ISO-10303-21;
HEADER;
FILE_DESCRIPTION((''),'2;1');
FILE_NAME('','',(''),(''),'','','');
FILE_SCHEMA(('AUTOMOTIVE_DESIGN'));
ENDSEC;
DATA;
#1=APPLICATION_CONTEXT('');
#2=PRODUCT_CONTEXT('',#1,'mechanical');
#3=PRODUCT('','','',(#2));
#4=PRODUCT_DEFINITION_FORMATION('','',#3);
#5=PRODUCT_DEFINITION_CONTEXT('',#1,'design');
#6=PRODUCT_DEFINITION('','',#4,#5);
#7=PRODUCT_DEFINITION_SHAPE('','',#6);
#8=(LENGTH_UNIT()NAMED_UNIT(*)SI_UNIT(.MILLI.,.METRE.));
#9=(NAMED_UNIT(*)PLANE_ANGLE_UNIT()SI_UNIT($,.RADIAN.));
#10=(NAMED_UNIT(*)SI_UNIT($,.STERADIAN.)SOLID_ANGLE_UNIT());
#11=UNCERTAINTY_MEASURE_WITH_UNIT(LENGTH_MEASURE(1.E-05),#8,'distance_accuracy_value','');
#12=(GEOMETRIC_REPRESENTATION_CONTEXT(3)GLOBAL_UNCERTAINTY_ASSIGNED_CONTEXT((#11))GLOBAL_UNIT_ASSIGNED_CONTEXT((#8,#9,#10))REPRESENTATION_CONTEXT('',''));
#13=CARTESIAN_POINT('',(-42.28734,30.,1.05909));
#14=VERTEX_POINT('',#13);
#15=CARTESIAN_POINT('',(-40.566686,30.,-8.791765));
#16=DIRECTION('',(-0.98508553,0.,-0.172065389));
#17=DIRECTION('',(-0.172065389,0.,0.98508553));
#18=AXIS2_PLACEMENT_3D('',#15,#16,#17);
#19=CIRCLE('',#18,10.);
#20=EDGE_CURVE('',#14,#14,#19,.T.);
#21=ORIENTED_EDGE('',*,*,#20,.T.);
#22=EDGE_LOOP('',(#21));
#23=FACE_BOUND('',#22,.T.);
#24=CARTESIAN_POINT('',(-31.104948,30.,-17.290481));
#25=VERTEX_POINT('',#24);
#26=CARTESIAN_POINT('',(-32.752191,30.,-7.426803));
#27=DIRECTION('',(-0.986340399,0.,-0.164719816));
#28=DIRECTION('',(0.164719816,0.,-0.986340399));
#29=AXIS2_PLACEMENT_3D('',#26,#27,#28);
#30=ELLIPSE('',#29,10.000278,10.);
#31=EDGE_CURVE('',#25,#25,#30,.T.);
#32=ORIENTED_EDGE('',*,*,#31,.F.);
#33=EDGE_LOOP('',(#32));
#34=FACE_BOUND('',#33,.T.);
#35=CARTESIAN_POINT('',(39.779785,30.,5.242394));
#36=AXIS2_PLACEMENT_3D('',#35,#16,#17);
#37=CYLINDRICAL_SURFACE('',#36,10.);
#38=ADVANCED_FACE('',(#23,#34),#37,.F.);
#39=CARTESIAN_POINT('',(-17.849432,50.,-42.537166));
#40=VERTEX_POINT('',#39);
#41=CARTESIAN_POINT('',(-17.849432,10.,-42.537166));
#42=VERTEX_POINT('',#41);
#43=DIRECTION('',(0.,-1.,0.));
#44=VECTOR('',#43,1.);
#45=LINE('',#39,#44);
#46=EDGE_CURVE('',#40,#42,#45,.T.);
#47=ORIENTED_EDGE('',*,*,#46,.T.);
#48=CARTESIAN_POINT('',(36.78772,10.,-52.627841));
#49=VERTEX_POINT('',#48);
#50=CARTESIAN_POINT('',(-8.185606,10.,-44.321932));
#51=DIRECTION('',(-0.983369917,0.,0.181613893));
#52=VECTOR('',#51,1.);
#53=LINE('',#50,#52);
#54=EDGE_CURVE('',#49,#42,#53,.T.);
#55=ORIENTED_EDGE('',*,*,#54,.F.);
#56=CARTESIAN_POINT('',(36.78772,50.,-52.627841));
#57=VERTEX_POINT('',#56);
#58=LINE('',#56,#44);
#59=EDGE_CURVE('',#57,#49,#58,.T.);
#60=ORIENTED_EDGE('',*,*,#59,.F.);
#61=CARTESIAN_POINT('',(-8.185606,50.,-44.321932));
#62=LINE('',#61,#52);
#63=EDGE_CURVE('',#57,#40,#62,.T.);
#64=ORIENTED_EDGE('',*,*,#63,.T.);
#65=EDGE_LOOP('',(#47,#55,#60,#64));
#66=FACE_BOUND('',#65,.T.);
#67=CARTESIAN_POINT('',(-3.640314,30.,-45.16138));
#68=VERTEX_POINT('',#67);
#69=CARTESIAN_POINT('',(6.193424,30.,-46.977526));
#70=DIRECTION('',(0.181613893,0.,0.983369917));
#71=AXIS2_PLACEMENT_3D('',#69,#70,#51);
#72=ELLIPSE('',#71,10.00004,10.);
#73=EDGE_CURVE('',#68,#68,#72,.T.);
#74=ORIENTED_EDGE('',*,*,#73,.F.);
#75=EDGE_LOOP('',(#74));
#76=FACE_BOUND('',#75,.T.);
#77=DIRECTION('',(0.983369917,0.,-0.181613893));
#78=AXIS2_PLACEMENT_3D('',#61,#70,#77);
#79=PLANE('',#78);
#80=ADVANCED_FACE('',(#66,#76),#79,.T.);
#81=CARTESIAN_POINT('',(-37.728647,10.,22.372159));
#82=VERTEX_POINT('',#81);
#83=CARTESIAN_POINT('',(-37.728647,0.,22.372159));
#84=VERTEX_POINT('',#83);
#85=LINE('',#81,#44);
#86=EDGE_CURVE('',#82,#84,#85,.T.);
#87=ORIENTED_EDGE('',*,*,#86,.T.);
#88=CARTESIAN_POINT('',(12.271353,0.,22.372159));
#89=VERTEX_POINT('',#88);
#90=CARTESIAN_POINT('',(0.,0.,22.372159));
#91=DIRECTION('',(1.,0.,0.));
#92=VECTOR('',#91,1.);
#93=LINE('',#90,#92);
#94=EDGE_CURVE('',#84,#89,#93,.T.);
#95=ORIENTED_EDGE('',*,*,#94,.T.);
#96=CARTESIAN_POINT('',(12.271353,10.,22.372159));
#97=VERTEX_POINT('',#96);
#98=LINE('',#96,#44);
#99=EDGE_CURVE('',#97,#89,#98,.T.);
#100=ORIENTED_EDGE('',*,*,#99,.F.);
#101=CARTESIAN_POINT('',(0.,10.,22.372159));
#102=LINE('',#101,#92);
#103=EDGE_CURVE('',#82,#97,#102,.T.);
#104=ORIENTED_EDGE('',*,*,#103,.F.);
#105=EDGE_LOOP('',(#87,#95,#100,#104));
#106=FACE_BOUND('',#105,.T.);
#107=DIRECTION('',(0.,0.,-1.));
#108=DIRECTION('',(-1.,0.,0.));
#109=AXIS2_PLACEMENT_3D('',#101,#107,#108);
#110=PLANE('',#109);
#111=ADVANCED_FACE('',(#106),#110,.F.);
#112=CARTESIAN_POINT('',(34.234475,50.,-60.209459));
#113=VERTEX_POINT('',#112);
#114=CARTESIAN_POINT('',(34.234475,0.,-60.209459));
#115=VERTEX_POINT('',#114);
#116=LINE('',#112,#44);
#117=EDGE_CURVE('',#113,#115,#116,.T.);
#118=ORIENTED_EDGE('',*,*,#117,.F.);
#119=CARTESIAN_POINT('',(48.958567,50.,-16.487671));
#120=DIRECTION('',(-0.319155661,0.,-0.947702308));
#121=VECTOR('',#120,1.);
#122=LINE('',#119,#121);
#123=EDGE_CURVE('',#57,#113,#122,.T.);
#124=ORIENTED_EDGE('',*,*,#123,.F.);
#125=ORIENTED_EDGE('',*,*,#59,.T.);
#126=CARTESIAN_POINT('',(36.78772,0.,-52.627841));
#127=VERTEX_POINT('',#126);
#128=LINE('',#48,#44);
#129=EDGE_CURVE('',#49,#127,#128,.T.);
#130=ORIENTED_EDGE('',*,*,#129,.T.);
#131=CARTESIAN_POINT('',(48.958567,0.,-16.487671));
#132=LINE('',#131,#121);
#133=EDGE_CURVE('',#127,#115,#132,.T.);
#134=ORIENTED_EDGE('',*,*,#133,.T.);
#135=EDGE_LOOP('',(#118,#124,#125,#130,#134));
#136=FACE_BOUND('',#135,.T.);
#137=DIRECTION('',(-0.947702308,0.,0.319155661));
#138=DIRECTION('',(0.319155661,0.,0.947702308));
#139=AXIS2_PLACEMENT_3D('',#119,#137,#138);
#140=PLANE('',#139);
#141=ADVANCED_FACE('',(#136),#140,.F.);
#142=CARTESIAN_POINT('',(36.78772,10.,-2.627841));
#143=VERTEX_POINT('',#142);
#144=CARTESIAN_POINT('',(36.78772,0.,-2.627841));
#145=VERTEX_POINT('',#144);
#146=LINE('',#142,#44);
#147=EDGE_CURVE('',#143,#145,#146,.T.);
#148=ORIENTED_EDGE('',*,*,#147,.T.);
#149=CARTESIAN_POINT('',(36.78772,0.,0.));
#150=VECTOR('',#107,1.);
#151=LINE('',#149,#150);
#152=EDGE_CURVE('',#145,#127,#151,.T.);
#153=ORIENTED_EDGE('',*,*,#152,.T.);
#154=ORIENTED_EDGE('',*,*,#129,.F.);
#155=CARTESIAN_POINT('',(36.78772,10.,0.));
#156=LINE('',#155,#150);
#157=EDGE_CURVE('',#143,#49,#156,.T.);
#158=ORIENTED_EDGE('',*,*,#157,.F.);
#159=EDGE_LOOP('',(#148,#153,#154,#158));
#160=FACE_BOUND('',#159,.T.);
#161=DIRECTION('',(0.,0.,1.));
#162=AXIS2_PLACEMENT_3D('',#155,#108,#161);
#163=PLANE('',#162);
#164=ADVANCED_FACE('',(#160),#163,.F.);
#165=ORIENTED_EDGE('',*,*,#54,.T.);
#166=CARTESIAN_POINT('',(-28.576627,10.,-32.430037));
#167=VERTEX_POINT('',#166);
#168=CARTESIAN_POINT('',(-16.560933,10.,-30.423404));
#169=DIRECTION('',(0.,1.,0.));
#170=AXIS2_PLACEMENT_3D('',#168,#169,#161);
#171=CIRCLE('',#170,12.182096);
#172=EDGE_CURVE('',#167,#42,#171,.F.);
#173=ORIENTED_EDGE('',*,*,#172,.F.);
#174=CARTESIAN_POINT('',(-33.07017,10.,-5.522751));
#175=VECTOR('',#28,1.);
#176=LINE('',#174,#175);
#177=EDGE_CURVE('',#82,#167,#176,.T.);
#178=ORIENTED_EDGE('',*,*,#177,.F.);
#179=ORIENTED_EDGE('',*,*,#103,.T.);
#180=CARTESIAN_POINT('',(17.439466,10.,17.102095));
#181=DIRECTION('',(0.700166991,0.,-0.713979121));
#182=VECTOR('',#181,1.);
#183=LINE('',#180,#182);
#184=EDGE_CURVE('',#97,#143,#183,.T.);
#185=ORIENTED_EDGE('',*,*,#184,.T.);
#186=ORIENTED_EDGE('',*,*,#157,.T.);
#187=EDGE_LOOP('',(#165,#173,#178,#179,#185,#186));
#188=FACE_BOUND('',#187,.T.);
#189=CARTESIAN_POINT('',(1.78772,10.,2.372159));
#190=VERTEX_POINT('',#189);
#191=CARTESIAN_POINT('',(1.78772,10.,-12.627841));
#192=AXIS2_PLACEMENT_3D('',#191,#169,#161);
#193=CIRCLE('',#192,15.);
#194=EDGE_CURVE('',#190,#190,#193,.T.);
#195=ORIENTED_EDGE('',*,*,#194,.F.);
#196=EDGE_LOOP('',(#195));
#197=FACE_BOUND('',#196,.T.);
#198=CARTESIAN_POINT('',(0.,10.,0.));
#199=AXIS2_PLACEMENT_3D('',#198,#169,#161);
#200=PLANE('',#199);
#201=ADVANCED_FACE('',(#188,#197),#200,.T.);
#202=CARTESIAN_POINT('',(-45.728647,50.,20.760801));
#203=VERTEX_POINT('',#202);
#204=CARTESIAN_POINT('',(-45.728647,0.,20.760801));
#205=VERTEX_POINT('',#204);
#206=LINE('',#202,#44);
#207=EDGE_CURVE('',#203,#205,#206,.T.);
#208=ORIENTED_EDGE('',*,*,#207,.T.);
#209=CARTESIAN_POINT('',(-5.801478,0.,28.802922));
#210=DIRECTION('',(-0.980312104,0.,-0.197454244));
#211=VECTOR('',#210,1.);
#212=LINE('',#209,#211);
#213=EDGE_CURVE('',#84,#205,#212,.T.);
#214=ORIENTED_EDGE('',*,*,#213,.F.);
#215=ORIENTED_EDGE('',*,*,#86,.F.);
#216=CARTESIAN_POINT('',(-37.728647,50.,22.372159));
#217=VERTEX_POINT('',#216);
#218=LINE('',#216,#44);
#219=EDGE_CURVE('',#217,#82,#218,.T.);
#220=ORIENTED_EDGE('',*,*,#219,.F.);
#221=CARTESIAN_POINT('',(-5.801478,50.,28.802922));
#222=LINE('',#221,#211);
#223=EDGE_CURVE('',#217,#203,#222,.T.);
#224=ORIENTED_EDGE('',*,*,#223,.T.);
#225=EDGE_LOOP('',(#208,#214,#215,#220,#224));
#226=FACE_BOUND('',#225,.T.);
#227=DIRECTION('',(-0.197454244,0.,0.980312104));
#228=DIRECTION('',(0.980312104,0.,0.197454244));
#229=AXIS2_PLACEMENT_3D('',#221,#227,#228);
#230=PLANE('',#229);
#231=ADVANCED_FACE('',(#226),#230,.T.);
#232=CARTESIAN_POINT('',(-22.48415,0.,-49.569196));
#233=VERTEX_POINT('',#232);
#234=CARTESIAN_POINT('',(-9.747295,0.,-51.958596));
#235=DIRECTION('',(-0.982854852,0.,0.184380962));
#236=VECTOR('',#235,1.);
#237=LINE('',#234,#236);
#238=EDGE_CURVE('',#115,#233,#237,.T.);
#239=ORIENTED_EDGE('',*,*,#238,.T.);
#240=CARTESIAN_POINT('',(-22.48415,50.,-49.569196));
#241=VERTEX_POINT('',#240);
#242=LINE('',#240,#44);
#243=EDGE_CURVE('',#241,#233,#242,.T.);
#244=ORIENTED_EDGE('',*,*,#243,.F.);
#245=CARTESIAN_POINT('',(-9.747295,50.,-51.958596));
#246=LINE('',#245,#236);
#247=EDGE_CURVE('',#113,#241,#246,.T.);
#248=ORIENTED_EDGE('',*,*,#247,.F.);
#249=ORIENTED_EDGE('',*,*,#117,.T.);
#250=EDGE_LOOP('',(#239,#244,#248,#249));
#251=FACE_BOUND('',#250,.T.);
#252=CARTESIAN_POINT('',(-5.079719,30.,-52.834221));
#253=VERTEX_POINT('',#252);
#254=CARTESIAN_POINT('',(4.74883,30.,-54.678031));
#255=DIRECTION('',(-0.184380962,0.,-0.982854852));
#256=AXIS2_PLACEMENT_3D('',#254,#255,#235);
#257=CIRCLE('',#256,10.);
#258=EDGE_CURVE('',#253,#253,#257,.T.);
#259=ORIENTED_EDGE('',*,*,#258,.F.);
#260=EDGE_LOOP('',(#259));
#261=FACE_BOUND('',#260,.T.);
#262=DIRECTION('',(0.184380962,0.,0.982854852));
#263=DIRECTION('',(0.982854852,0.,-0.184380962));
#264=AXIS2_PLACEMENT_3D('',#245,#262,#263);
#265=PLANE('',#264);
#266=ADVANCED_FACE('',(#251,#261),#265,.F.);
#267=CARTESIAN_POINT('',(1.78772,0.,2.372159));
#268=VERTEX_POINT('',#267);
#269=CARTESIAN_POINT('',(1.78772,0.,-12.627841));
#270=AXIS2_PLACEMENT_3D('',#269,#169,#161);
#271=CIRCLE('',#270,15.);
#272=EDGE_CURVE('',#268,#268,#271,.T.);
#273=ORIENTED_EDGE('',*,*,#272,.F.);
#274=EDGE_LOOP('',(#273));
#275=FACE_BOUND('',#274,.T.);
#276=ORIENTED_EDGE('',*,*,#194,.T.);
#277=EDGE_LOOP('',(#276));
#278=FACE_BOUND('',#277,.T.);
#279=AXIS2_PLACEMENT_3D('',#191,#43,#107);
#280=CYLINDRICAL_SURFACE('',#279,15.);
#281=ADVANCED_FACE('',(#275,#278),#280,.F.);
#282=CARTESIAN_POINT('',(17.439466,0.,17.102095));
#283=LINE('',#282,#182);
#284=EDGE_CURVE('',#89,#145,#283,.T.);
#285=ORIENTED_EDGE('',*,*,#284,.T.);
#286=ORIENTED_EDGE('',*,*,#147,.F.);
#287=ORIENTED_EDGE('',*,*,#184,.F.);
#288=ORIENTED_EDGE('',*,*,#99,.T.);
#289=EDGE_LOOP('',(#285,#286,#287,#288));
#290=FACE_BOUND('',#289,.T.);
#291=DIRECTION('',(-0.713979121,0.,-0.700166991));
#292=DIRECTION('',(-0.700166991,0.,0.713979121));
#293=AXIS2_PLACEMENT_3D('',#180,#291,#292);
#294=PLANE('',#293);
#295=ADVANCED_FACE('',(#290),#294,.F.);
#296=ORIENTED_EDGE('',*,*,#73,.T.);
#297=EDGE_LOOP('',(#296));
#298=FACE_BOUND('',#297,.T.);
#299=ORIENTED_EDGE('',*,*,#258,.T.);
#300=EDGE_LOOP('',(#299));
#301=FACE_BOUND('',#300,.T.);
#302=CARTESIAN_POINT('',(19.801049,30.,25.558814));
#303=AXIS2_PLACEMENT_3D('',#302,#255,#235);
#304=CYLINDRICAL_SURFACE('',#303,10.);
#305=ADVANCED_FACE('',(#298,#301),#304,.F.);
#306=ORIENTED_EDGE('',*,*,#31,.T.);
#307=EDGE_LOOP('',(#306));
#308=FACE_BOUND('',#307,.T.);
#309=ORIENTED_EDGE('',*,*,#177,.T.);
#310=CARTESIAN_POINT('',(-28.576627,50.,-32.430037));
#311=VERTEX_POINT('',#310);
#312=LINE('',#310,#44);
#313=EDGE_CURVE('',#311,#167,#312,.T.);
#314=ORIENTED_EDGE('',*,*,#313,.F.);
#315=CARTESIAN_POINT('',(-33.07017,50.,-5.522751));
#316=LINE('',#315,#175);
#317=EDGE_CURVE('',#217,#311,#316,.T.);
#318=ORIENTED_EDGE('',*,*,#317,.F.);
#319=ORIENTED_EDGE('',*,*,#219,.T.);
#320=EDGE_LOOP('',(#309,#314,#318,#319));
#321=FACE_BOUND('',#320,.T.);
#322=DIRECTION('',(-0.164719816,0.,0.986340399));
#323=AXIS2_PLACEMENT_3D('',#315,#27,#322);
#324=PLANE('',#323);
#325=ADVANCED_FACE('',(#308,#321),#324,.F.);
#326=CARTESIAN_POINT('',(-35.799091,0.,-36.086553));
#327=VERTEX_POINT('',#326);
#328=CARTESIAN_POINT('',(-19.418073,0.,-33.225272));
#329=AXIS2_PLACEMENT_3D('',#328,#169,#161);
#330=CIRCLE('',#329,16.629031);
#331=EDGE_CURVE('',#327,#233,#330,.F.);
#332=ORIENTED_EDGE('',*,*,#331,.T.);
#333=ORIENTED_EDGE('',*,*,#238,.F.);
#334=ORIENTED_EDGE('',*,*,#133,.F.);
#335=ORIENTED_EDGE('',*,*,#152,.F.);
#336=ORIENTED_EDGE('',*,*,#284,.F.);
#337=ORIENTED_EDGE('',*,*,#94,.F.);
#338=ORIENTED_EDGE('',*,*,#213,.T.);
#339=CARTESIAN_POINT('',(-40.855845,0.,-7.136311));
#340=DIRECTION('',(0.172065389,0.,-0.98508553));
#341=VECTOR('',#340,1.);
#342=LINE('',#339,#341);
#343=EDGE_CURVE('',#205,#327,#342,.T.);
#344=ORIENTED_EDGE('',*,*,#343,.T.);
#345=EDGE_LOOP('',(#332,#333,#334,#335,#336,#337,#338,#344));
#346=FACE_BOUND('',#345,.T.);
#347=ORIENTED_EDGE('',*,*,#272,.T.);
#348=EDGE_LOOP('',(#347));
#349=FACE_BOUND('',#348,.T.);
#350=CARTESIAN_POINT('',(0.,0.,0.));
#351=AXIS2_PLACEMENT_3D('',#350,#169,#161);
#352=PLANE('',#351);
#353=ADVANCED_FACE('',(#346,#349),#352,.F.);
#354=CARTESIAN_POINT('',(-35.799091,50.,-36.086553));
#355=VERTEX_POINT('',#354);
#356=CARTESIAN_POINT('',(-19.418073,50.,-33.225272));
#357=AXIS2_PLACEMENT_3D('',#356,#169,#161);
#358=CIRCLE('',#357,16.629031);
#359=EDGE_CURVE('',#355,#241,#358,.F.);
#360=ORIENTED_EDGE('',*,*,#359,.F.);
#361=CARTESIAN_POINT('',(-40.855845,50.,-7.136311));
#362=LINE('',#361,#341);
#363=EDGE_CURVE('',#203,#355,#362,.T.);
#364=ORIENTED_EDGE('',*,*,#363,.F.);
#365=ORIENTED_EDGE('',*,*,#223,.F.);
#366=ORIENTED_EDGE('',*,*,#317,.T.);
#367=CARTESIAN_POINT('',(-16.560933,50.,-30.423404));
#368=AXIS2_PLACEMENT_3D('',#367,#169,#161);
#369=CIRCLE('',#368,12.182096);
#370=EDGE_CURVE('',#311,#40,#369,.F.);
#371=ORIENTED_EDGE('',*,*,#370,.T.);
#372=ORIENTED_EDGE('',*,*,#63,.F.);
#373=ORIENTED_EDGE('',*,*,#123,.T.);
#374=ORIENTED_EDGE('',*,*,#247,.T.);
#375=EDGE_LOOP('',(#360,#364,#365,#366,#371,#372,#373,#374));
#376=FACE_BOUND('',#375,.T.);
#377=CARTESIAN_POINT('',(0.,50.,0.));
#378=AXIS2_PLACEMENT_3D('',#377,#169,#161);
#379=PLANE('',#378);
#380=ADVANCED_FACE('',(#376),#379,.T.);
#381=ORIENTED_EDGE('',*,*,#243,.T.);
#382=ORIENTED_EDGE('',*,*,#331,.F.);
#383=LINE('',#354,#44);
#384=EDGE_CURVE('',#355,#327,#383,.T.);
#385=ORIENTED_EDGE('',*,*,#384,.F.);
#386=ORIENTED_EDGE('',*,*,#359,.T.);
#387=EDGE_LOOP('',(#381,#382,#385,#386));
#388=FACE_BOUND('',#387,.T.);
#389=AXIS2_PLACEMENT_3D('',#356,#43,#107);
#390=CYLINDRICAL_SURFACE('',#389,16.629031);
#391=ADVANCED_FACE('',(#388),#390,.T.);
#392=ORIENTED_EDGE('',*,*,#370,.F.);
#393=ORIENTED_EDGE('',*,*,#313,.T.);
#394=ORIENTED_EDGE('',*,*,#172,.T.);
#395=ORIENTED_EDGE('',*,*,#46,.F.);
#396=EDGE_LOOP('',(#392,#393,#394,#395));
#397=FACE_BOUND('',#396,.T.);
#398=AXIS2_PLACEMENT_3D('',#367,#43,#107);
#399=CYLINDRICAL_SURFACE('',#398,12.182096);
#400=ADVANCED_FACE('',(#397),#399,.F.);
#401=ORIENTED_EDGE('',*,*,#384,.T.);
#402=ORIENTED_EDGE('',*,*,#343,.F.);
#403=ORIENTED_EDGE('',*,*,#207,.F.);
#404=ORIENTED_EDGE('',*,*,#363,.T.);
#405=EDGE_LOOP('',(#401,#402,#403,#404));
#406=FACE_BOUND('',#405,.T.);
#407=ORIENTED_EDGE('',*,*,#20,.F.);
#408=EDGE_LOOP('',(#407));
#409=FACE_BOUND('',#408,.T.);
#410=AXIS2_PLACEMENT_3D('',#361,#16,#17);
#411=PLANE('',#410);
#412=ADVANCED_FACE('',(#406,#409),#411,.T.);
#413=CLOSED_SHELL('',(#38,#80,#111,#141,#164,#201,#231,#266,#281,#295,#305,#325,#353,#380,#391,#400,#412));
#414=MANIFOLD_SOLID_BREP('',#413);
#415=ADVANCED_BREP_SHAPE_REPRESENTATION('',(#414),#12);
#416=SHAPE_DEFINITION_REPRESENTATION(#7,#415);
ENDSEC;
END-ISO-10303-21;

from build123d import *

# Parameters (mm, degrees)
SKETCH_1_R          = 15
EXTRUDE_1_DEPTH     = 10
EXTRUDE_2_DEPTH     = 50
SKETCH_3_R          = 10
CUT_EXTRUDE_1_DEPTH = 107.514235114
SKETCH_4_R          = 10
CUT_EXTRUDE_2_DEPTH = 101.948347169


with BuildPart() as part:
    # 草图1 → 凸台-拉伸1 (new body)
    with BuildSketch(Plane(origin=(0, 0, 0), x_dir=(1, 0, 0), z_dir=(0, 1, 0))):
        with BuildLine():
            Line((-28.57662693, 32.430036501), (-37.728647462, -22.372159091))
            Line((-37.728647462, -22.372159091), (12.271352538, -22.372159091))
            Line((12.271352538, -22.372159091), (36.78772041, 2.627840909))
            Line((36.78772041, 2.627840909), (36.78772041, 52.627840909))
            Line((36.78772041, 52.627840909), (-17.849431841, 42.537166231))
            ThreePointArc((-17.849431841, 42.537166231), (-24.914908418, 39.289889491), (-28.57662693, 32.430036501))
        make_face()
        with Locations((1.78772041, 12.627840909)):
            Circle(SKETCH_1_R, mode=Mode.SUBTRACT)
    extrude(amount=EXTRUDE_1_DEPTH)

    # 草图1<3> → 凸台-拉伸2 (add)
    with BuildSketch(Plane(origin=(0, 0, 0), x_dir=(1, 0, 0), z_dir=(0, 1, 0))):
        with BuildLine():
            Line((-45.728647462, -20.760800889), (-37.728647462, -22.372159091))
            Line((-37.728647462, -22.372159091), (-28.57662693, 32.430036501))
            ThreePointArc((-28.57662693, 32.430036501), (-24.914908418, 39.289889491), (-17.849431841, 42.537166231))
            Line((-17.849431841, 42.537166231), (36.78772041, 52.627840909))
            Line((36.78772041, 52.627840909), (34.234475122, 60.209459371))
            Line((34.234475122, 60.209459371), (-22.484150231, 49.56919577))
            ThreePointArc((-22.484150231, 49.56919577), (-31.249928384, 44.909957788), (-35.799091446, 36.086552513))
            Line((-35.799091446, 36.086552513), (-45.728647462, -20.760800889))
        make_face()
    extrude(amount=EXTRUDE_2_DEPTH)

    # 草图3 → 切除-拉伸1 (cut, through all)
    with BuildSketch(Plane(origin=(-40.855844778, 0, -7.136311104), x_dir=(-0.17206538860383633, 0, 0.9850855303193783), z_dir=(-0.9850855303193784, 0, -0.17206538860383633))):
        with Locations((-1.680517951, 30)):
            Circle(SKETCH_3_R)
    extrude(amount=-CUT_EXTRUDE_1_DEPTH, mode=Mode.SUBTRACT)

    # 草图4 → 切除-拉伸2 (cut, through all)
    with BuildSketch(Plane(origin=(-9.747294738, 0, -51.95859606), x_dir=(-0.9828548523659901, 0, 0.18438096208835575), z_dir=(-0.18438096208835575, 0, -0.9828548523659901))):
        with Locations((-14.748998038, 30)):
            Circle(SKETCH_4_R)
    extrude(amount=-CUT_EXTRUDE_2_DEPTH, mode=Mode.SUBTRACT)


solid = part.part
